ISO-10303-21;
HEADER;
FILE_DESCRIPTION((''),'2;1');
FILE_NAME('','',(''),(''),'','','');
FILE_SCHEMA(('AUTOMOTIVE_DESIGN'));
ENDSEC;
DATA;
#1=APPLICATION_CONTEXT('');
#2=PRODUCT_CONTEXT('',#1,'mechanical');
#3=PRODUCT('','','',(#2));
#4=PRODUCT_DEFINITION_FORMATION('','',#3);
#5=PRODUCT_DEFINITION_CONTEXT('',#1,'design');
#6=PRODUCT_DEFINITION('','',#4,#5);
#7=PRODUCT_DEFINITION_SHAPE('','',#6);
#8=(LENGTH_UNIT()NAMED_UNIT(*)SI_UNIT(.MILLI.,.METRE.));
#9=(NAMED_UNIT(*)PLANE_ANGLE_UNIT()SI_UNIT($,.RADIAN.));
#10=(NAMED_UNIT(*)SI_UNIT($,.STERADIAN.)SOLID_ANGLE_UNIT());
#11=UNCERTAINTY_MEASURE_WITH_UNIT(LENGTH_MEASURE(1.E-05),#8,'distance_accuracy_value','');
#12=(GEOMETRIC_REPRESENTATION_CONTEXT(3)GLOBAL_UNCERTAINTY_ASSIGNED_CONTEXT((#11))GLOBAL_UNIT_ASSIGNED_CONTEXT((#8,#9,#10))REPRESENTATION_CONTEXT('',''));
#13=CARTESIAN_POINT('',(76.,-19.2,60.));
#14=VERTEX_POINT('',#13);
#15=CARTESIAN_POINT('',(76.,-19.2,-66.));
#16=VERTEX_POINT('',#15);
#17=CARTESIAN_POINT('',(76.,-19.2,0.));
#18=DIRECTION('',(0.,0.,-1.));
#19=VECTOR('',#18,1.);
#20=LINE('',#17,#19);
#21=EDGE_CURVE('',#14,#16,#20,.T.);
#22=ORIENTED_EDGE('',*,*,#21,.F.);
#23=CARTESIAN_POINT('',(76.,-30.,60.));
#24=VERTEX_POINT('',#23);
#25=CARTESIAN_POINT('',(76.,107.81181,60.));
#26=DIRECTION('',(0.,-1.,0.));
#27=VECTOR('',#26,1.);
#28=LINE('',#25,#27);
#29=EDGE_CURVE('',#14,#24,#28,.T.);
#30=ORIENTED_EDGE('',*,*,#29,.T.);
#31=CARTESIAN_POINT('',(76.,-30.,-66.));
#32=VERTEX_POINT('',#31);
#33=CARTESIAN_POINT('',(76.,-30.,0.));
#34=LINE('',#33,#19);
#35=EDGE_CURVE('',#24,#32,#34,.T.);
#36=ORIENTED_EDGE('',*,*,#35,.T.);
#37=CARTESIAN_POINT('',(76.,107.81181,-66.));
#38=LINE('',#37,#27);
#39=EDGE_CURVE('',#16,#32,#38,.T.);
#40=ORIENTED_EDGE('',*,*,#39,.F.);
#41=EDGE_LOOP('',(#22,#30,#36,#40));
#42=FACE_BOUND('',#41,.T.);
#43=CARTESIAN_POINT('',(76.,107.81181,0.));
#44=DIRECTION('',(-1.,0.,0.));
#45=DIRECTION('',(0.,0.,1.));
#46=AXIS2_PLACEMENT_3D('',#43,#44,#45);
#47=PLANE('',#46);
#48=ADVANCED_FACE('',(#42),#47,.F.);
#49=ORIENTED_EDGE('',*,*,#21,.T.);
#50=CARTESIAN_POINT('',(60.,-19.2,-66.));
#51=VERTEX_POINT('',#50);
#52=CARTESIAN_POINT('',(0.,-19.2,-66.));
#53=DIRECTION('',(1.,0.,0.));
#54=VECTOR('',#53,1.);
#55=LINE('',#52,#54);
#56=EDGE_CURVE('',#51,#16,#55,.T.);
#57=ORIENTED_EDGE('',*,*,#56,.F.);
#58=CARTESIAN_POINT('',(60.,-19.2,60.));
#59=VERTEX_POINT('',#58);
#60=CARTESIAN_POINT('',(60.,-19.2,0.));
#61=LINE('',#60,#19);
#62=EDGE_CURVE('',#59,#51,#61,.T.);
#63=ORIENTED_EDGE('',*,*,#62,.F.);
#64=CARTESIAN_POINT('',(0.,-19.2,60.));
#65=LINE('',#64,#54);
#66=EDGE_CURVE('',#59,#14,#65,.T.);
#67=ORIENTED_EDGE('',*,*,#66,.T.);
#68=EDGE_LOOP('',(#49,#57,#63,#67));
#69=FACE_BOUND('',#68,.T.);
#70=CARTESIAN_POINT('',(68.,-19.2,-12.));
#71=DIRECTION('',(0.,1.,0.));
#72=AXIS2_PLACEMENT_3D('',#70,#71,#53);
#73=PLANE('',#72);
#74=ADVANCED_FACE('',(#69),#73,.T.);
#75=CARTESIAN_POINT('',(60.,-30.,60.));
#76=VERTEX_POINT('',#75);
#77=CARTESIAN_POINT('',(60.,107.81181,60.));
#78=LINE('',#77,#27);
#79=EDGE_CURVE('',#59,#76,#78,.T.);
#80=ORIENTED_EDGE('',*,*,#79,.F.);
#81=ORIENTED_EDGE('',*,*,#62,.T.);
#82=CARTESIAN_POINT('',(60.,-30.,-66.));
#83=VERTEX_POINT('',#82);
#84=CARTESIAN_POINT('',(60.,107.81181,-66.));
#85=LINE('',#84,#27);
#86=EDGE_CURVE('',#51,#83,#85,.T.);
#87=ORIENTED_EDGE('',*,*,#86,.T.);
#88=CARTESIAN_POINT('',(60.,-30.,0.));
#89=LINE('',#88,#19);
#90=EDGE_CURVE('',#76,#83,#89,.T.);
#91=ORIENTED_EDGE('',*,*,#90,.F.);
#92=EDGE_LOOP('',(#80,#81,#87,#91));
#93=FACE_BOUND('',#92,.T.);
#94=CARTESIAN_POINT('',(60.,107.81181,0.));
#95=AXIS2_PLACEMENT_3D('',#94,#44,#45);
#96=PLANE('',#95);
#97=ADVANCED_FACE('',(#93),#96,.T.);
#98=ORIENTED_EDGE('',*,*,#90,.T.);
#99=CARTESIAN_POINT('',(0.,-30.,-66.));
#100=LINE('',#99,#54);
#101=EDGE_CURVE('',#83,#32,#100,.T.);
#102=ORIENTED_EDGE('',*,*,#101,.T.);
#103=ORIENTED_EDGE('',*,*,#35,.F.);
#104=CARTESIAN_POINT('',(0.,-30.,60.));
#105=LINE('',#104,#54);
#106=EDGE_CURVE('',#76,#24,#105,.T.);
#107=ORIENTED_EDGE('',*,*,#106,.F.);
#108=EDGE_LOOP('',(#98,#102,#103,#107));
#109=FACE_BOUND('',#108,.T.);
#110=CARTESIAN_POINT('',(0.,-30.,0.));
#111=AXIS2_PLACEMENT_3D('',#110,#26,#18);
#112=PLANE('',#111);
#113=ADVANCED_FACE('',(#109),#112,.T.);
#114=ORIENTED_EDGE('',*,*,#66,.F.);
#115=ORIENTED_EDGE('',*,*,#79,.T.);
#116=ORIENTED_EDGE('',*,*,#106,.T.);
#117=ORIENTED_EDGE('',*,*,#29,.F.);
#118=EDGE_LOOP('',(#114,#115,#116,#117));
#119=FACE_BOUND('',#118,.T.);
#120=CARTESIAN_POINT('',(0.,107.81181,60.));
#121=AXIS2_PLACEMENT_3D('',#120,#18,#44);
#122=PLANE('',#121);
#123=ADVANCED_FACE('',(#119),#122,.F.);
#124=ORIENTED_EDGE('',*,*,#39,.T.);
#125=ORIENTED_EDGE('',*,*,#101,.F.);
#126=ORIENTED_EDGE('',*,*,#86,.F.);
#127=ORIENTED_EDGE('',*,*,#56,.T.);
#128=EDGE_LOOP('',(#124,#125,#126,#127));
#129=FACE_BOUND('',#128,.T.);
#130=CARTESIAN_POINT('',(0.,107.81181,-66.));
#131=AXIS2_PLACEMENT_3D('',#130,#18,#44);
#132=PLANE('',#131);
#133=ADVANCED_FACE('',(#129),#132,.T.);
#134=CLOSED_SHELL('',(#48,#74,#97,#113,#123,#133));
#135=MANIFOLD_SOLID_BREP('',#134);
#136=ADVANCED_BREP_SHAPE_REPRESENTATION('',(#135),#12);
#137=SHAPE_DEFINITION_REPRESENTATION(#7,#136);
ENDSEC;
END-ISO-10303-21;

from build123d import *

# Parameters (mm, degrees)
SKETCH1_W           = 16
SKETCH1_H           = 126
BOSS_EXTRUDE1_DEPTH = 10.799999675


with BuildPart() as part:
    # Sketch1 → Boss-Extrude1 (new body)
    with BuildSketch(Plane.XZ.offset(29.999999675)):
        with Locations((68, -3)):
            Rectangle(SKETCH1_W, SKETCH1_H)
    extrude(amount=-BOSS_EXTRUDE1_DEPTH)


solid = part.part
